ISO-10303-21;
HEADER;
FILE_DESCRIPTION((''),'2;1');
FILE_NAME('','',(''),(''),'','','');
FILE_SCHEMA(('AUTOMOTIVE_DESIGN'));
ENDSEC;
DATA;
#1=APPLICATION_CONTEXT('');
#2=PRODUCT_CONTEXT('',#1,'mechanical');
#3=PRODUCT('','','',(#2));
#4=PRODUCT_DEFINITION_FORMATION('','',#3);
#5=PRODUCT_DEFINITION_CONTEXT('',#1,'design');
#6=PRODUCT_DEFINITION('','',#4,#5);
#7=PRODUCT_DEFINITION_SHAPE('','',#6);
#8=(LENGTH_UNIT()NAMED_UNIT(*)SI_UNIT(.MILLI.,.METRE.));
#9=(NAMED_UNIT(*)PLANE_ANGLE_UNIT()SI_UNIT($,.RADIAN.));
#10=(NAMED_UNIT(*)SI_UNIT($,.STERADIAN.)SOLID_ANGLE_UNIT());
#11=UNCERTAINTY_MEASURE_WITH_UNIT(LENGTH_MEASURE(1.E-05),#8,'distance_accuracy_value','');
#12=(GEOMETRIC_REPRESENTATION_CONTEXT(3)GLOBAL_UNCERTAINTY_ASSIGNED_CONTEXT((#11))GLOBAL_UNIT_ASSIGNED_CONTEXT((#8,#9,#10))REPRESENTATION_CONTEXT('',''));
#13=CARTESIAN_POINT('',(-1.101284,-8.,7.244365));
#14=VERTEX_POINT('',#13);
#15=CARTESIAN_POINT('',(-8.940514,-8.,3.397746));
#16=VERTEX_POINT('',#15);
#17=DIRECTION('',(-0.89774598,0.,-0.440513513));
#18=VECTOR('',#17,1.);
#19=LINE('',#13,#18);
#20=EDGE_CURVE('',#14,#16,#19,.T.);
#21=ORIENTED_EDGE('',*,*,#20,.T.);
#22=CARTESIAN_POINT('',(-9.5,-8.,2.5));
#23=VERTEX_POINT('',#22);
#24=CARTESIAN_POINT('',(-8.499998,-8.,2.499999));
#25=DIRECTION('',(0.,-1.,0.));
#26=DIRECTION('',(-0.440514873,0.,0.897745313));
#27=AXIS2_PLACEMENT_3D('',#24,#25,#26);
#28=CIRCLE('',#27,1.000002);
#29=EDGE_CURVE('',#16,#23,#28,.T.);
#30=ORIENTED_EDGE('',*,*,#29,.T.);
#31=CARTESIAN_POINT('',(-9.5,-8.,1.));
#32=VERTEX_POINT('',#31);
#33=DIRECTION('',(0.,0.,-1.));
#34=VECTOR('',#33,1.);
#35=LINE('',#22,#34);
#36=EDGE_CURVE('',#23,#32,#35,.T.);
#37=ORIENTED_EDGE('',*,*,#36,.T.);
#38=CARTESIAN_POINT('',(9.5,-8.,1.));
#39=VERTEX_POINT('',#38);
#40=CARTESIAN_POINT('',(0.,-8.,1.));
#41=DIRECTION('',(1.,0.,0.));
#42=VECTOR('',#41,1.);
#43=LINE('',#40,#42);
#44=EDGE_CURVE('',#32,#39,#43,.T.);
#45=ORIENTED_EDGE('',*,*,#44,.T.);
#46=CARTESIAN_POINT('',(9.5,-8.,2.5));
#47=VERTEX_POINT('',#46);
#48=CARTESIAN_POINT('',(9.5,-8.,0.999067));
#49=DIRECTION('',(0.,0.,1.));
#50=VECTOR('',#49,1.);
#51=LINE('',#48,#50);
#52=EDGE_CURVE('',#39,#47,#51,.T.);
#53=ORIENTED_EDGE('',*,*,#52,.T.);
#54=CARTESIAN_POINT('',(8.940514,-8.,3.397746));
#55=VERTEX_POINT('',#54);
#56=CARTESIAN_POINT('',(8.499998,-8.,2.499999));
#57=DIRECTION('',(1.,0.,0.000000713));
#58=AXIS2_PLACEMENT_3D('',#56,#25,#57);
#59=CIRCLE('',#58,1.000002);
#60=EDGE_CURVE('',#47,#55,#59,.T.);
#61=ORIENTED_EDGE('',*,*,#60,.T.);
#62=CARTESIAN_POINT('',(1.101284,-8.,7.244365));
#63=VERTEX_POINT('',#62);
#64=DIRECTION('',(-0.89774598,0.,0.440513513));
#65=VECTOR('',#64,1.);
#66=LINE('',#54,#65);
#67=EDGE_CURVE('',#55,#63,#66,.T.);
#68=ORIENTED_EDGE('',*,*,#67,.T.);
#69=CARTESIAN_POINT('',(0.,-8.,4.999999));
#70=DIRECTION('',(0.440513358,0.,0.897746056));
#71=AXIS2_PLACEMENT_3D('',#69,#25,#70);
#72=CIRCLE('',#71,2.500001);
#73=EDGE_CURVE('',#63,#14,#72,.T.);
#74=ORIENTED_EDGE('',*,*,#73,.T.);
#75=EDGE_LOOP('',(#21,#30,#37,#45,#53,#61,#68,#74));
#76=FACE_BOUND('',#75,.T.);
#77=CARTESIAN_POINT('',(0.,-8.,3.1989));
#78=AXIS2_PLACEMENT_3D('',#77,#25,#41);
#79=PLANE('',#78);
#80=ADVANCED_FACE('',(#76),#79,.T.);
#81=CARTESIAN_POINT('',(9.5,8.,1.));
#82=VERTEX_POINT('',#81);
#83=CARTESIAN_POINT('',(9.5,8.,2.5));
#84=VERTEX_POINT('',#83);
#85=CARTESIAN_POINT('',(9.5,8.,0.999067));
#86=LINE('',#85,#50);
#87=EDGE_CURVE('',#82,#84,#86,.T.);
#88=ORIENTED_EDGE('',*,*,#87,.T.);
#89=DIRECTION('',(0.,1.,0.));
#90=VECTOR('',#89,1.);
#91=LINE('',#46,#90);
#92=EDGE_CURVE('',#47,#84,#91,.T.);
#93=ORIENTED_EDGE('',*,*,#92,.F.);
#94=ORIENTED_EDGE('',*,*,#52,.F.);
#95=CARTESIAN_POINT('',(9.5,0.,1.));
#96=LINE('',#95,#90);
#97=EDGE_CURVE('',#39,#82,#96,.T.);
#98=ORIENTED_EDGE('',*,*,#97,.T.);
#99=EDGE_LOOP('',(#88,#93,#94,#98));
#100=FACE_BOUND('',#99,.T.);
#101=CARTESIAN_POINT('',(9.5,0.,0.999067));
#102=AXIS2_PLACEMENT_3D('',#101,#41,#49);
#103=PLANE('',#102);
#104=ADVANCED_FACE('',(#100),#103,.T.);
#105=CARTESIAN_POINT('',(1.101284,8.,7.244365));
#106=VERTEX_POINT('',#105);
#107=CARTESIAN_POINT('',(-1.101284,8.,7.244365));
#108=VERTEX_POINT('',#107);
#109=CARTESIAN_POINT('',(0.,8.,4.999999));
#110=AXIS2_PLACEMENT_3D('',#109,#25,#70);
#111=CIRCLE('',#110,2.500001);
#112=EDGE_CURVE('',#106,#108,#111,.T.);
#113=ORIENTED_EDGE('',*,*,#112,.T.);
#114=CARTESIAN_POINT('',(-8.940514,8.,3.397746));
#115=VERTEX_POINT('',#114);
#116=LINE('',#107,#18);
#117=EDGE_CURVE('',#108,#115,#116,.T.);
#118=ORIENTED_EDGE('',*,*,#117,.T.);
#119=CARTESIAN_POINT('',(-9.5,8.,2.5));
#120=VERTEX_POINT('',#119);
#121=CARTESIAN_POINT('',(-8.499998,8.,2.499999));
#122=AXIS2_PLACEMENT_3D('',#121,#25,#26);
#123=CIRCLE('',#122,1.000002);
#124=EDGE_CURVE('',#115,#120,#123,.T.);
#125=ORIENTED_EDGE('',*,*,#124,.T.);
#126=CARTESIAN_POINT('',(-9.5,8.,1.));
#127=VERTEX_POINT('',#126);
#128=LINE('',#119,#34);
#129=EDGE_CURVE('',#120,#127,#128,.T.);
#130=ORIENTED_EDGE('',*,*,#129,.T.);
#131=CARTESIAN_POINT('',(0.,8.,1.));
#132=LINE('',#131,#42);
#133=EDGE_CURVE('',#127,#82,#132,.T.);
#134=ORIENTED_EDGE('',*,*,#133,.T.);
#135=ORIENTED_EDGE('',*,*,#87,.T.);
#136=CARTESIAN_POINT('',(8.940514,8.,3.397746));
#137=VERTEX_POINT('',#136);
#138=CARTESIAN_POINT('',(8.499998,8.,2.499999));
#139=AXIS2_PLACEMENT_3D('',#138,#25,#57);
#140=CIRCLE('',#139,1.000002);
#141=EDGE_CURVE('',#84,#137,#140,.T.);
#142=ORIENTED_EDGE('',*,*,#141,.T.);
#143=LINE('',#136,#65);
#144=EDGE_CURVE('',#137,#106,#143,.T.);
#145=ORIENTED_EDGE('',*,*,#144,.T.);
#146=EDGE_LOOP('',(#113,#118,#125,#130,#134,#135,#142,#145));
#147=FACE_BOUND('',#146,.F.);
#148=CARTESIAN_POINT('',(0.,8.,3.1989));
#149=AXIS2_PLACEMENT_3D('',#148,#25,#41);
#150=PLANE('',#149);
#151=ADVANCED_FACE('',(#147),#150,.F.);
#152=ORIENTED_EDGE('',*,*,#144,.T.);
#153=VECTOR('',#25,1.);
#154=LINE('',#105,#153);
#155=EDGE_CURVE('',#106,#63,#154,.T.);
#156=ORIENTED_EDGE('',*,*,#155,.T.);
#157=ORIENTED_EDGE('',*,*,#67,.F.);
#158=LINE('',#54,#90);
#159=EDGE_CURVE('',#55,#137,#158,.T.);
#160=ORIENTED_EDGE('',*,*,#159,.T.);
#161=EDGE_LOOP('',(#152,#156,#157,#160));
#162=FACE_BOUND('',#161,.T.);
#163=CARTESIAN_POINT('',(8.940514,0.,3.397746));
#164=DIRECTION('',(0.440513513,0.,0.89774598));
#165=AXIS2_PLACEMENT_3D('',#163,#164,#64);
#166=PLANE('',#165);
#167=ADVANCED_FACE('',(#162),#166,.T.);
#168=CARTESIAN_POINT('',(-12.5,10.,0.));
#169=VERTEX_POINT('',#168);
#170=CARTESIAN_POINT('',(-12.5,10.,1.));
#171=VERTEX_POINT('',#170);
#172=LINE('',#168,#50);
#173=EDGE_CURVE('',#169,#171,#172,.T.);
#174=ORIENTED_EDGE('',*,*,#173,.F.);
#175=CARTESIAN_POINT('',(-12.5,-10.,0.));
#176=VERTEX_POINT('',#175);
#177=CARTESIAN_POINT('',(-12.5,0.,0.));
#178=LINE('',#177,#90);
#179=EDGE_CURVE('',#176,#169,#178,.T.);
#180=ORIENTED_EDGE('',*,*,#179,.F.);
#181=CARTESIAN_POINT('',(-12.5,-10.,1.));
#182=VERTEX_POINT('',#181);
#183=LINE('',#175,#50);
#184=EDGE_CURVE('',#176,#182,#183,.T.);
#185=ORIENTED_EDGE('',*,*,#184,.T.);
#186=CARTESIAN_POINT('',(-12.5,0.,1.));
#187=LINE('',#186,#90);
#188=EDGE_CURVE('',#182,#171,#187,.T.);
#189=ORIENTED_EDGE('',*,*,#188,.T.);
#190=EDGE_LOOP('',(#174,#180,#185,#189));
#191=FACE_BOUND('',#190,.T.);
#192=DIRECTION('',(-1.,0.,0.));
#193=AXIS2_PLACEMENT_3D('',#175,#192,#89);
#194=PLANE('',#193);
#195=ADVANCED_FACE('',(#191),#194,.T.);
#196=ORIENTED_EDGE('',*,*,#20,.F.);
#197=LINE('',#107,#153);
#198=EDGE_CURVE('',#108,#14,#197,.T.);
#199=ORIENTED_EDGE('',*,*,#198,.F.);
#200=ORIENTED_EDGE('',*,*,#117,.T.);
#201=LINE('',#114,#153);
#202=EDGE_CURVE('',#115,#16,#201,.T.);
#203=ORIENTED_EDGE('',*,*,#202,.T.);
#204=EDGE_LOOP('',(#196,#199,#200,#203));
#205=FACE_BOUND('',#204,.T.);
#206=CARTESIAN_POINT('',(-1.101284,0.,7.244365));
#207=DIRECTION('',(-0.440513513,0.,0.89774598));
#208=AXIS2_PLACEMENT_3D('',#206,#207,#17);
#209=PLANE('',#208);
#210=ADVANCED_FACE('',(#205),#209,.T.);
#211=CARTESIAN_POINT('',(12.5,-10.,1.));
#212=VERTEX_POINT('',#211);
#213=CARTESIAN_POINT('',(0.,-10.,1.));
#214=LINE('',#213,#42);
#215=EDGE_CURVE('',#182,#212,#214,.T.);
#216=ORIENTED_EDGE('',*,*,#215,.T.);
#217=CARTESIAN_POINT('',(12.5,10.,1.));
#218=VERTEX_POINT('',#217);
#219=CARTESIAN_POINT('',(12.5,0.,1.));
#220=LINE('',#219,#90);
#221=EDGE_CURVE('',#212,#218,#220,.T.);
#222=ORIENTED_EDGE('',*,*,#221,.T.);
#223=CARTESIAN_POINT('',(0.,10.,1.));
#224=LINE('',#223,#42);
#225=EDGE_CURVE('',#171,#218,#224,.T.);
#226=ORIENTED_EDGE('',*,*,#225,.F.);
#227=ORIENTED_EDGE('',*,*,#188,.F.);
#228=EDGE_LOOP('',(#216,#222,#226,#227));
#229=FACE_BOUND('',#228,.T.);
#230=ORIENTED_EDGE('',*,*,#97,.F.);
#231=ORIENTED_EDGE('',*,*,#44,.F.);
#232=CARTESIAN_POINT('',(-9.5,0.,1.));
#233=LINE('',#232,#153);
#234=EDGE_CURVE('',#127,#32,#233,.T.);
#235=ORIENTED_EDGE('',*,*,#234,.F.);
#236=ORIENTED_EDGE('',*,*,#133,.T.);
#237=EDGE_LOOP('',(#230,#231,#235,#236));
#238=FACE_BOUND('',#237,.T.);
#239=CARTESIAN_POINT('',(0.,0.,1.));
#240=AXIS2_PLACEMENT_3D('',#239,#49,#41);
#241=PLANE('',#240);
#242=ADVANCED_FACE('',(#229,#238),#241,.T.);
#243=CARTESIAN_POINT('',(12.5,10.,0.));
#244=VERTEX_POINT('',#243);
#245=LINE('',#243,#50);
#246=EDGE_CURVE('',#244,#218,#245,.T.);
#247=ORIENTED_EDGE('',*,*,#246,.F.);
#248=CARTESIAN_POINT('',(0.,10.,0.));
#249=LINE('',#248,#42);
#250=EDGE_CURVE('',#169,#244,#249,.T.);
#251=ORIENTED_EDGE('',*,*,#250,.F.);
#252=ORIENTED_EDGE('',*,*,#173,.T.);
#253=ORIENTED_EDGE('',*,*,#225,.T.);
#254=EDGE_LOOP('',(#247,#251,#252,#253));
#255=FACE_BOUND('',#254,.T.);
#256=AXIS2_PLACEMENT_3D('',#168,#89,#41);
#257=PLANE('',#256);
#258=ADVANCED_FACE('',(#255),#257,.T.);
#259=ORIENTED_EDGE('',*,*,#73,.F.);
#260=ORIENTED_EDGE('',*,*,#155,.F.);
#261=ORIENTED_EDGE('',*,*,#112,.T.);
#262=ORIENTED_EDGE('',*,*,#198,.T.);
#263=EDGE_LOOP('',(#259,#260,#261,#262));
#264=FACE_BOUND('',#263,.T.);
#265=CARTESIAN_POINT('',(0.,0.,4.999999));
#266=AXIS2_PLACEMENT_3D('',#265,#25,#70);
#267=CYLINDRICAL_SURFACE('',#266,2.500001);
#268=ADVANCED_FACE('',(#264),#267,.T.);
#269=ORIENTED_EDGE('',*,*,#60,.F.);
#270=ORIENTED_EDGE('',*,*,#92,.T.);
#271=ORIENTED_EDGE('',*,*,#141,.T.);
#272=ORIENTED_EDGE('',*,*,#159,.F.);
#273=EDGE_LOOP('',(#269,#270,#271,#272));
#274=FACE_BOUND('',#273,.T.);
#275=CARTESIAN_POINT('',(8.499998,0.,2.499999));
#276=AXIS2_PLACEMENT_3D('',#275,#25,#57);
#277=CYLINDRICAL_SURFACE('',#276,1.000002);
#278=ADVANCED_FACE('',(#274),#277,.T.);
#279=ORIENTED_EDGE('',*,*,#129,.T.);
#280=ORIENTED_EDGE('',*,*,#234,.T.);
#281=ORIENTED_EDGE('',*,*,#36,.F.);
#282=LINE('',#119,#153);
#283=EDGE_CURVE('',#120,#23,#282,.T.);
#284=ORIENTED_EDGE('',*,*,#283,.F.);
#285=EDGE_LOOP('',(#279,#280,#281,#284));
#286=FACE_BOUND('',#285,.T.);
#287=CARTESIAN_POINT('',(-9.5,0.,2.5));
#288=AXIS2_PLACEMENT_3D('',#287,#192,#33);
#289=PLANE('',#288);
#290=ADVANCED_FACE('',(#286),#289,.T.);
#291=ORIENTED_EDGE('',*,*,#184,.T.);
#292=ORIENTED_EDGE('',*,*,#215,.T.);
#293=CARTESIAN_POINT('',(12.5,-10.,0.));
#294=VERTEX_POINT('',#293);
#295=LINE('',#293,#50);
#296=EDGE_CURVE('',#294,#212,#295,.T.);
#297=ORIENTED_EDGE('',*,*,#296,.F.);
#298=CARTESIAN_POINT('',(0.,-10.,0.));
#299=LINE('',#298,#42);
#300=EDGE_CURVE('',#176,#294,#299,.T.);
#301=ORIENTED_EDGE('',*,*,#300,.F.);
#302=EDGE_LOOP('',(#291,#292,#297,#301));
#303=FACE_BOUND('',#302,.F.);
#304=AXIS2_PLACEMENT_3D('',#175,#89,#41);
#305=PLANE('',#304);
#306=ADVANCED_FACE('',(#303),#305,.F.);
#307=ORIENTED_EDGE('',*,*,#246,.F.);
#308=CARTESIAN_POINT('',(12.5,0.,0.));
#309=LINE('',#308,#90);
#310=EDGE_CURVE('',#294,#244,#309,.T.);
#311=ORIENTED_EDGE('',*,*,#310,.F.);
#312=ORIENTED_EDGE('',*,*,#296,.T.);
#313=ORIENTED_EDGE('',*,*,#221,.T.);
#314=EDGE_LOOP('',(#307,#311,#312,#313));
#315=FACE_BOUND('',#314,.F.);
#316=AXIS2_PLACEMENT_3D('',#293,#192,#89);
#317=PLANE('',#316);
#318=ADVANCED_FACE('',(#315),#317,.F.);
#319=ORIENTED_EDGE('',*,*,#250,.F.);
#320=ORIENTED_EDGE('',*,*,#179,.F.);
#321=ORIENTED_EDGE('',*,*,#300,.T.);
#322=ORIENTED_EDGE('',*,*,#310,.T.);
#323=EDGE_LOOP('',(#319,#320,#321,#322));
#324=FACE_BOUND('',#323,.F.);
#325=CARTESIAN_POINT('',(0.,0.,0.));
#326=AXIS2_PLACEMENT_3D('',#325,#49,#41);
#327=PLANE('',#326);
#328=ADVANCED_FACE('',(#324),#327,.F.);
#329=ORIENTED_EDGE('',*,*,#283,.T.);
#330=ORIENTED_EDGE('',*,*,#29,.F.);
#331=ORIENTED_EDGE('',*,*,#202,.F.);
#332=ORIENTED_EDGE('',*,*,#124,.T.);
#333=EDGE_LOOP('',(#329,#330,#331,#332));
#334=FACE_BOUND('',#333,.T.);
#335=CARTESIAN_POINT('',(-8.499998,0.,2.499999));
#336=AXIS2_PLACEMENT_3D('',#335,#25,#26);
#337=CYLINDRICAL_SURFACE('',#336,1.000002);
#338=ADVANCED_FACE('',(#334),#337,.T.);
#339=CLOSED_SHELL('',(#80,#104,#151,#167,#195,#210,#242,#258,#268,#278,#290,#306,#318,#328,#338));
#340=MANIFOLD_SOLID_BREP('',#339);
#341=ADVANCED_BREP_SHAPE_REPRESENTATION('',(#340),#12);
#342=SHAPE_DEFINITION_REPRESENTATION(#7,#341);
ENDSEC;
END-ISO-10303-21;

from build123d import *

# Parameters (mm, degrees)
F0_W     = 25
F0_H     = 20
F1_DEPTH = 1
F3_DEPTH = 8


with BuildPart() as f1:
    # F0 (on Top) → F1 (new body)
    with BuildSketch(Plane.XY):
        Rectangle(F0_W, F0_H)
    extrude(amount=F1_DEPTH)

    # F2 (on Front) → F3 (join, symmetric)
    with BuildSketch(Plane.XZ):
        with BuildLine():
            Line((8.940514, 3.397746), (1.101284, 7.244365))
            ThreePointArc((1.101284, 7.244365), (0, 7.5), (-1.101284, 7.244365))
            Line((-1.101284, 7.244365), (-8.940514, 3.397746))
            ThreePointArc((-8.940514, 3.397746), (-9.348679, 3.028908), (-9.5, 2.5))
            Line((-9.5, 2.5), (-9.5, 0.999067))
            Line((-9.5, 0.999067), (9.5, 0.999067))
            Line((9.5, 0.999067), (9.5, 2.5))
            ThreePointArc((9.5, 2.5), (9.348679, 3.028908), (8.940514, 3.397746))
        make_face()
    extrude(amount=F3_DEPTH, both=True)


solid = f1.part
